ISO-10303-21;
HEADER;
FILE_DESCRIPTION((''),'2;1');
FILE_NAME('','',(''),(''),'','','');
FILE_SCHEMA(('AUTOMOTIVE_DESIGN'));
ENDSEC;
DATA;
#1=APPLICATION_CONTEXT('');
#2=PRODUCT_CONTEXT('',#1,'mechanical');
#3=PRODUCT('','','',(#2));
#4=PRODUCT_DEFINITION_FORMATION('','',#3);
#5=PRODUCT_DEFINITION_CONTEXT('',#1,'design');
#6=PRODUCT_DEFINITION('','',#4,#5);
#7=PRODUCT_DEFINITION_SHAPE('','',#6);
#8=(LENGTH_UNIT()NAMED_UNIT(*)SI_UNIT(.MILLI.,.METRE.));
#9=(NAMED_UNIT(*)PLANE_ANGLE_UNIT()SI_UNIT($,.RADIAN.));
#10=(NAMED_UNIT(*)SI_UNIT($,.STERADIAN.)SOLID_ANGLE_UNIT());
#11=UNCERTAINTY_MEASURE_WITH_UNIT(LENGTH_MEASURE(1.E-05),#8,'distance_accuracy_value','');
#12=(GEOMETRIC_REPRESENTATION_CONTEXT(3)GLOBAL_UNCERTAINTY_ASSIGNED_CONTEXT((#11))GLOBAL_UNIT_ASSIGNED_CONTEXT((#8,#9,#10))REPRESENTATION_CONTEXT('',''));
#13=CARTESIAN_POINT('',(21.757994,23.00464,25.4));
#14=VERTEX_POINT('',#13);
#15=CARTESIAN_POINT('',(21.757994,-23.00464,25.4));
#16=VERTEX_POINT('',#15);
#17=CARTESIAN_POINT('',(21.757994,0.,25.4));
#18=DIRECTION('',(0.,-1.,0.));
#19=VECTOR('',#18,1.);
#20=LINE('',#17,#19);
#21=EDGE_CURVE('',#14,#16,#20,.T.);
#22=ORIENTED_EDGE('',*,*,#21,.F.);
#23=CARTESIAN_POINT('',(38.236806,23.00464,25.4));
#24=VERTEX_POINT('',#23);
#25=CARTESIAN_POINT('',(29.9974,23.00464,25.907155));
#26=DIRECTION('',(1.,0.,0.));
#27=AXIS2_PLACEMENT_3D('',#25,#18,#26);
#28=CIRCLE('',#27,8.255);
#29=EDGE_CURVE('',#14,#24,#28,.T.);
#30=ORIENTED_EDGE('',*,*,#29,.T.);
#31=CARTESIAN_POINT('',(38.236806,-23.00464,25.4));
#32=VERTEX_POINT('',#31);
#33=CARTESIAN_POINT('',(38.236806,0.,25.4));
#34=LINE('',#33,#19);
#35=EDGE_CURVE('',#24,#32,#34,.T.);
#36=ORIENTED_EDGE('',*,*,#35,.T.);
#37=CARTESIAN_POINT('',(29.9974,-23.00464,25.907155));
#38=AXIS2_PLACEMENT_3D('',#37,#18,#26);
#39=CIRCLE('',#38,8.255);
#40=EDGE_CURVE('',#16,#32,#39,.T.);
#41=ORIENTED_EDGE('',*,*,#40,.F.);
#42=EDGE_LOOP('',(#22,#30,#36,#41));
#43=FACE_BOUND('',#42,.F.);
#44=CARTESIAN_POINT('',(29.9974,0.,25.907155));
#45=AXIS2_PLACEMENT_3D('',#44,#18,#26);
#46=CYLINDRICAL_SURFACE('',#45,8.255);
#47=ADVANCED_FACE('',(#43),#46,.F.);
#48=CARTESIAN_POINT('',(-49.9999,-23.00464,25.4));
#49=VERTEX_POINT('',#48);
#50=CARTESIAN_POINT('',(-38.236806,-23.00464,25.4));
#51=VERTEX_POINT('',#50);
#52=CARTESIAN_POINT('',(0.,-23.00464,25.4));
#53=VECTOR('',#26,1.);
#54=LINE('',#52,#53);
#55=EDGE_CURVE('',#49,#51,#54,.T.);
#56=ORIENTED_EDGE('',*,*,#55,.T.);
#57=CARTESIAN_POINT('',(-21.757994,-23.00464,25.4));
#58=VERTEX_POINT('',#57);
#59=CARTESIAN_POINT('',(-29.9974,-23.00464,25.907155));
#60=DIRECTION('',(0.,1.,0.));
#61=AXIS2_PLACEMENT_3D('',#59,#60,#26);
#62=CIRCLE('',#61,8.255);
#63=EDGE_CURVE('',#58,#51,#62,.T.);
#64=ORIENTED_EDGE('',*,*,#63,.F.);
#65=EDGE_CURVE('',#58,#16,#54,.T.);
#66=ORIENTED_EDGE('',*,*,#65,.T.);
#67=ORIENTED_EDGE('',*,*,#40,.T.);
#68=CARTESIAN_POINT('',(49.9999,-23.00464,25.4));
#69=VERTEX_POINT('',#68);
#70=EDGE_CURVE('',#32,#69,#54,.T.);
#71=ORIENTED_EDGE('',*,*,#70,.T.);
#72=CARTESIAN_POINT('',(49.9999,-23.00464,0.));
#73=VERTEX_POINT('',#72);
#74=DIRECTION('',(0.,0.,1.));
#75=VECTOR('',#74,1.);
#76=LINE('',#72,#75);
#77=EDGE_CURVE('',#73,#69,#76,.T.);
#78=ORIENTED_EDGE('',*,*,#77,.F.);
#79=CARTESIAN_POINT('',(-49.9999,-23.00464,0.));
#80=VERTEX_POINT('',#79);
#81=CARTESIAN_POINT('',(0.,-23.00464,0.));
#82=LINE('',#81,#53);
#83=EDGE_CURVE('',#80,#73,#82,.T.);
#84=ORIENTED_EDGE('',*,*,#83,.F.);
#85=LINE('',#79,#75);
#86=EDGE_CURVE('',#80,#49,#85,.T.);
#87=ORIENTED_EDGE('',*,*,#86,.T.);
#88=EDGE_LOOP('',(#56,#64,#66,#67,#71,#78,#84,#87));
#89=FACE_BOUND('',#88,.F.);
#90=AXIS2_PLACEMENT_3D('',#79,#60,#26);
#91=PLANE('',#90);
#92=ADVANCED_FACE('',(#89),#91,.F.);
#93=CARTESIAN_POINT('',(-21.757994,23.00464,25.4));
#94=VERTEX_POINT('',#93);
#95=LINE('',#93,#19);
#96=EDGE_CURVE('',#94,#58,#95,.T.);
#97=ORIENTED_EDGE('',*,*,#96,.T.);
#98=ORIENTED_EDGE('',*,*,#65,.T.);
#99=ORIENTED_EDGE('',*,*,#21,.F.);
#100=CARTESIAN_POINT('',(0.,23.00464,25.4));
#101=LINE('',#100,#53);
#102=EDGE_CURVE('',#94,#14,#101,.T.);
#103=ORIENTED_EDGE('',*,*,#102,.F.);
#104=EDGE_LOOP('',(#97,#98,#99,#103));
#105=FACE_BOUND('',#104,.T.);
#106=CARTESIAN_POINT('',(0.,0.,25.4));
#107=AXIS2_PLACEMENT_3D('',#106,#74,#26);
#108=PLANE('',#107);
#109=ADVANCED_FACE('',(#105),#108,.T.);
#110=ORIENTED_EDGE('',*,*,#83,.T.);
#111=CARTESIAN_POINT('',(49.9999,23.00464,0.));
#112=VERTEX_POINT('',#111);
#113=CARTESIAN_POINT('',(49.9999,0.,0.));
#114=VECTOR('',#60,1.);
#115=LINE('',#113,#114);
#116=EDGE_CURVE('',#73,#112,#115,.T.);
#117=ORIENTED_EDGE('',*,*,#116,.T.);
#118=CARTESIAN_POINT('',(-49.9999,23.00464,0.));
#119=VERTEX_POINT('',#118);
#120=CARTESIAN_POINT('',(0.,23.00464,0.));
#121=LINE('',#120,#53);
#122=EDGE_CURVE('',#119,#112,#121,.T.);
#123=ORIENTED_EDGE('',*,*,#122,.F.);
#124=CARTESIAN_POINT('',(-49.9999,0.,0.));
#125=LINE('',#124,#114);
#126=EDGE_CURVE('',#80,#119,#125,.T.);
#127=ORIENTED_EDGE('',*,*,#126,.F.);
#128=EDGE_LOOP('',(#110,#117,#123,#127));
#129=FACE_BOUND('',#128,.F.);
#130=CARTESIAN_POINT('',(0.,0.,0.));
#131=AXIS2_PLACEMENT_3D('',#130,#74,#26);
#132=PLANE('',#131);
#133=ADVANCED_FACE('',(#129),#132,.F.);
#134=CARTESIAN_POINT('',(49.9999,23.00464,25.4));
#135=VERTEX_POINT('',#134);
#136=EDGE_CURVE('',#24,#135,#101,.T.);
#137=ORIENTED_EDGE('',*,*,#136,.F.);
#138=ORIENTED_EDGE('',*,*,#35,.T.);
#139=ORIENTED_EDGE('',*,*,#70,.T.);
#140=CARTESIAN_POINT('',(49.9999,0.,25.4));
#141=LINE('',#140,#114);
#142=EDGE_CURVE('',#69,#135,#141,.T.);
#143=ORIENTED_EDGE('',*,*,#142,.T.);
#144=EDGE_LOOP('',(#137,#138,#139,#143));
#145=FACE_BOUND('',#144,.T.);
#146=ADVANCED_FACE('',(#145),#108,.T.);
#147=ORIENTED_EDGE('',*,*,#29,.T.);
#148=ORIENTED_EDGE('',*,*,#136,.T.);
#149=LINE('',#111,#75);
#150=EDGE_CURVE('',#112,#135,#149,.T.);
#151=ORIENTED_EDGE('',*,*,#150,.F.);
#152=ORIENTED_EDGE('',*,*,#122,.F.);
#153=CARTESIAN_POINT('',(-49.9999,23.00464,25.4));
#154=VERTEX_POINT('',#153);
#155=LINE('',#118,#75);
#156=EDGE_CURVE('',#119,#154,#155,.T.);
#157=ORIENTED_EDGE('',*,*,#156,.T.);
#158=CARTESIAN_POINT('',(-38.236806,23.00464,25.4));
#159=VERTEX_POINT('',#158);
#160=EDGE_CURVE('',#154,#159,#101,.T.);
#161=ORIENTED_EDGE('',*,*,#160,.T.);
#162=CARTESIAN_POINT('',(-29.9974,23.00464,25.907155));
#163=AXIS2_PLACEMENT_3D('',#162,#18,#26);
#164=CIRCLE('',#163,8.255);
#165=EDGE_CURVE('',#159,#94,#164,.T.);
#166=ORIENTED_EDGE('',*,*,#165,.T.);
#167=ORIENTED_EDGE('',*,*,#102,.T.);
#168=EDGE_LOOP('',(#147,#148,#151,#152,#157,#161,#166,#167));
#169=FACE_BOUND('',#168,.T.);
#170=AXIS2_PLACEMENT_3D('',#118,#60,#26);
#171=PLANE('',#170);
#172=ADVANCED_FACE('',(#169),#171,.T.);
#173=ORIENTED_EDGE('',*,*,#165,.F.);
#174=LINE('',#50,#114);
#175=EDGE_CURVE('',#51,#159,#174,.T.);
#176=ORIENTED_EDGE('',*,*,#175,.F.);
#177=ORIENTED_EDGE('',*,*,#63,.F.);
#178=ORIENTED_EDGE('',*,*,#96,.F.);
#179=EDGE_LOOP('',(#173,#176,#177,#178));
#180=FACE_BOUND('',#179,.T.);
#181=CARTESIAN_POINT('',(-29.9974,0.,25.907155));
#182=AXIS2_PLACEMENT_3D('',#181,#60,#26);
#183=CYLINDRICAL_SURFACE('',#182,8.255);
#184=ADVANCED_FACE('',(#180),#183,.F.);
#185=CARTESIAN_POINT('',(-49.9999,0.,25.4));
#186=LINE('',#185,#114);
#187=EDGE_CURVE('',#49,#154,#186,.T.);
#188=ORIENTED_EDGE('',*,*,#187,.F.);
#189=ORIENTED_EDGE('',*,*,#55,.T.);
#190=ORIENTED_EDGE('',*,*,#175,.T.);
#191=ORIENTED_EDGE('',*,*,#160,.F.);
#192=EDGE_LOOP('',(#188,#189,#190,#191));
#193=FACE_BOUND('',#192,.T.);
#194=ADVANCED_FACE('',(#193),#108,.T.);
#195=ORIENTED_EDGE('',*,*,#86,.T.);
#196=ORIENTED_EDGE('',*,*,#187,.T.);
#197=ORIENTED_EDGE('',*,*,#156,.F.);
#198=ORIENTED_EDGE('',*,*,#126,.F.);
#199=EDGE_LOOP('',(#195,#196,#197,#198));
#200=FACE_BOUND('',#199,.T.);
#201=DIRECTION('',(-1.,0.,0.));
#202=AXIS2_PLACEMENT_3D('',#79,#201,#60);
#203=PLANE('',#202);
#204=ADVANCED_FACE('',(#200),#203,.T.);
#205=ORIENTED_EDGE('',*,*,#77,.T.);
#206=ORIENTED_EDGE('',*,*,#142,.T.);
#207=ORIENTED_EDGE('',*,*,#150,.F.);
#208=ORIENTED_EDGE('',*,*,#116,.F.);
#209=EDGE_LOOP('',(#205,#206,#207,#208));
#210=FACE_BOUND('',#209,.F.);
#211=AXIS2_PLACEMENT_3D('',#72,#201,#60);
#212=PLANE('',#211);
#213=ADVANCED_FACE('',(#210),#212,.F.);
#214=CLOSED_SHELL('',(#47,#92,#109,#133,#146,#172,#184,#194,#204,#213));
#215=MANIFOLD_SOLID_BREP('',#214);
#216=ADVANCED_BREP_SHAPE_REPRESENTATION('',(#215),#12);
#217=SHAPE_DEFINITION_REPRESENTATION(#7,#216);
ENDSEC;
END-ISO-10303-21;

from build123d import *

# Parameters (mm, degrees)
F0_W     = 99.9998
F0_H     = 46.00928
F1_DEPTH = 25.4
F2_R     = 8.255
F3_DEPTH = 127


with BuildPart() as f1:
    # F0 (on Top) → F1 (new body)
    with BuildSketch(Plane.XY):
        Rectangle(F0_W, F0_H)
    extrude(amount=F1_DEPTH)

    # F2 (on Front) → F3 (cut, symmetric)
    with BuildSketch(Plane.XZ):
        with Locations((-29.9974, 25.907155)):
            Circle(F2_R)
        with Locations((29.9974, 25.907155)):
            Circle(F2_R)
    extrude(amount=F3_DEPTH, both=True, mode=Mode.SUBTRACT)


solid = f1.part
